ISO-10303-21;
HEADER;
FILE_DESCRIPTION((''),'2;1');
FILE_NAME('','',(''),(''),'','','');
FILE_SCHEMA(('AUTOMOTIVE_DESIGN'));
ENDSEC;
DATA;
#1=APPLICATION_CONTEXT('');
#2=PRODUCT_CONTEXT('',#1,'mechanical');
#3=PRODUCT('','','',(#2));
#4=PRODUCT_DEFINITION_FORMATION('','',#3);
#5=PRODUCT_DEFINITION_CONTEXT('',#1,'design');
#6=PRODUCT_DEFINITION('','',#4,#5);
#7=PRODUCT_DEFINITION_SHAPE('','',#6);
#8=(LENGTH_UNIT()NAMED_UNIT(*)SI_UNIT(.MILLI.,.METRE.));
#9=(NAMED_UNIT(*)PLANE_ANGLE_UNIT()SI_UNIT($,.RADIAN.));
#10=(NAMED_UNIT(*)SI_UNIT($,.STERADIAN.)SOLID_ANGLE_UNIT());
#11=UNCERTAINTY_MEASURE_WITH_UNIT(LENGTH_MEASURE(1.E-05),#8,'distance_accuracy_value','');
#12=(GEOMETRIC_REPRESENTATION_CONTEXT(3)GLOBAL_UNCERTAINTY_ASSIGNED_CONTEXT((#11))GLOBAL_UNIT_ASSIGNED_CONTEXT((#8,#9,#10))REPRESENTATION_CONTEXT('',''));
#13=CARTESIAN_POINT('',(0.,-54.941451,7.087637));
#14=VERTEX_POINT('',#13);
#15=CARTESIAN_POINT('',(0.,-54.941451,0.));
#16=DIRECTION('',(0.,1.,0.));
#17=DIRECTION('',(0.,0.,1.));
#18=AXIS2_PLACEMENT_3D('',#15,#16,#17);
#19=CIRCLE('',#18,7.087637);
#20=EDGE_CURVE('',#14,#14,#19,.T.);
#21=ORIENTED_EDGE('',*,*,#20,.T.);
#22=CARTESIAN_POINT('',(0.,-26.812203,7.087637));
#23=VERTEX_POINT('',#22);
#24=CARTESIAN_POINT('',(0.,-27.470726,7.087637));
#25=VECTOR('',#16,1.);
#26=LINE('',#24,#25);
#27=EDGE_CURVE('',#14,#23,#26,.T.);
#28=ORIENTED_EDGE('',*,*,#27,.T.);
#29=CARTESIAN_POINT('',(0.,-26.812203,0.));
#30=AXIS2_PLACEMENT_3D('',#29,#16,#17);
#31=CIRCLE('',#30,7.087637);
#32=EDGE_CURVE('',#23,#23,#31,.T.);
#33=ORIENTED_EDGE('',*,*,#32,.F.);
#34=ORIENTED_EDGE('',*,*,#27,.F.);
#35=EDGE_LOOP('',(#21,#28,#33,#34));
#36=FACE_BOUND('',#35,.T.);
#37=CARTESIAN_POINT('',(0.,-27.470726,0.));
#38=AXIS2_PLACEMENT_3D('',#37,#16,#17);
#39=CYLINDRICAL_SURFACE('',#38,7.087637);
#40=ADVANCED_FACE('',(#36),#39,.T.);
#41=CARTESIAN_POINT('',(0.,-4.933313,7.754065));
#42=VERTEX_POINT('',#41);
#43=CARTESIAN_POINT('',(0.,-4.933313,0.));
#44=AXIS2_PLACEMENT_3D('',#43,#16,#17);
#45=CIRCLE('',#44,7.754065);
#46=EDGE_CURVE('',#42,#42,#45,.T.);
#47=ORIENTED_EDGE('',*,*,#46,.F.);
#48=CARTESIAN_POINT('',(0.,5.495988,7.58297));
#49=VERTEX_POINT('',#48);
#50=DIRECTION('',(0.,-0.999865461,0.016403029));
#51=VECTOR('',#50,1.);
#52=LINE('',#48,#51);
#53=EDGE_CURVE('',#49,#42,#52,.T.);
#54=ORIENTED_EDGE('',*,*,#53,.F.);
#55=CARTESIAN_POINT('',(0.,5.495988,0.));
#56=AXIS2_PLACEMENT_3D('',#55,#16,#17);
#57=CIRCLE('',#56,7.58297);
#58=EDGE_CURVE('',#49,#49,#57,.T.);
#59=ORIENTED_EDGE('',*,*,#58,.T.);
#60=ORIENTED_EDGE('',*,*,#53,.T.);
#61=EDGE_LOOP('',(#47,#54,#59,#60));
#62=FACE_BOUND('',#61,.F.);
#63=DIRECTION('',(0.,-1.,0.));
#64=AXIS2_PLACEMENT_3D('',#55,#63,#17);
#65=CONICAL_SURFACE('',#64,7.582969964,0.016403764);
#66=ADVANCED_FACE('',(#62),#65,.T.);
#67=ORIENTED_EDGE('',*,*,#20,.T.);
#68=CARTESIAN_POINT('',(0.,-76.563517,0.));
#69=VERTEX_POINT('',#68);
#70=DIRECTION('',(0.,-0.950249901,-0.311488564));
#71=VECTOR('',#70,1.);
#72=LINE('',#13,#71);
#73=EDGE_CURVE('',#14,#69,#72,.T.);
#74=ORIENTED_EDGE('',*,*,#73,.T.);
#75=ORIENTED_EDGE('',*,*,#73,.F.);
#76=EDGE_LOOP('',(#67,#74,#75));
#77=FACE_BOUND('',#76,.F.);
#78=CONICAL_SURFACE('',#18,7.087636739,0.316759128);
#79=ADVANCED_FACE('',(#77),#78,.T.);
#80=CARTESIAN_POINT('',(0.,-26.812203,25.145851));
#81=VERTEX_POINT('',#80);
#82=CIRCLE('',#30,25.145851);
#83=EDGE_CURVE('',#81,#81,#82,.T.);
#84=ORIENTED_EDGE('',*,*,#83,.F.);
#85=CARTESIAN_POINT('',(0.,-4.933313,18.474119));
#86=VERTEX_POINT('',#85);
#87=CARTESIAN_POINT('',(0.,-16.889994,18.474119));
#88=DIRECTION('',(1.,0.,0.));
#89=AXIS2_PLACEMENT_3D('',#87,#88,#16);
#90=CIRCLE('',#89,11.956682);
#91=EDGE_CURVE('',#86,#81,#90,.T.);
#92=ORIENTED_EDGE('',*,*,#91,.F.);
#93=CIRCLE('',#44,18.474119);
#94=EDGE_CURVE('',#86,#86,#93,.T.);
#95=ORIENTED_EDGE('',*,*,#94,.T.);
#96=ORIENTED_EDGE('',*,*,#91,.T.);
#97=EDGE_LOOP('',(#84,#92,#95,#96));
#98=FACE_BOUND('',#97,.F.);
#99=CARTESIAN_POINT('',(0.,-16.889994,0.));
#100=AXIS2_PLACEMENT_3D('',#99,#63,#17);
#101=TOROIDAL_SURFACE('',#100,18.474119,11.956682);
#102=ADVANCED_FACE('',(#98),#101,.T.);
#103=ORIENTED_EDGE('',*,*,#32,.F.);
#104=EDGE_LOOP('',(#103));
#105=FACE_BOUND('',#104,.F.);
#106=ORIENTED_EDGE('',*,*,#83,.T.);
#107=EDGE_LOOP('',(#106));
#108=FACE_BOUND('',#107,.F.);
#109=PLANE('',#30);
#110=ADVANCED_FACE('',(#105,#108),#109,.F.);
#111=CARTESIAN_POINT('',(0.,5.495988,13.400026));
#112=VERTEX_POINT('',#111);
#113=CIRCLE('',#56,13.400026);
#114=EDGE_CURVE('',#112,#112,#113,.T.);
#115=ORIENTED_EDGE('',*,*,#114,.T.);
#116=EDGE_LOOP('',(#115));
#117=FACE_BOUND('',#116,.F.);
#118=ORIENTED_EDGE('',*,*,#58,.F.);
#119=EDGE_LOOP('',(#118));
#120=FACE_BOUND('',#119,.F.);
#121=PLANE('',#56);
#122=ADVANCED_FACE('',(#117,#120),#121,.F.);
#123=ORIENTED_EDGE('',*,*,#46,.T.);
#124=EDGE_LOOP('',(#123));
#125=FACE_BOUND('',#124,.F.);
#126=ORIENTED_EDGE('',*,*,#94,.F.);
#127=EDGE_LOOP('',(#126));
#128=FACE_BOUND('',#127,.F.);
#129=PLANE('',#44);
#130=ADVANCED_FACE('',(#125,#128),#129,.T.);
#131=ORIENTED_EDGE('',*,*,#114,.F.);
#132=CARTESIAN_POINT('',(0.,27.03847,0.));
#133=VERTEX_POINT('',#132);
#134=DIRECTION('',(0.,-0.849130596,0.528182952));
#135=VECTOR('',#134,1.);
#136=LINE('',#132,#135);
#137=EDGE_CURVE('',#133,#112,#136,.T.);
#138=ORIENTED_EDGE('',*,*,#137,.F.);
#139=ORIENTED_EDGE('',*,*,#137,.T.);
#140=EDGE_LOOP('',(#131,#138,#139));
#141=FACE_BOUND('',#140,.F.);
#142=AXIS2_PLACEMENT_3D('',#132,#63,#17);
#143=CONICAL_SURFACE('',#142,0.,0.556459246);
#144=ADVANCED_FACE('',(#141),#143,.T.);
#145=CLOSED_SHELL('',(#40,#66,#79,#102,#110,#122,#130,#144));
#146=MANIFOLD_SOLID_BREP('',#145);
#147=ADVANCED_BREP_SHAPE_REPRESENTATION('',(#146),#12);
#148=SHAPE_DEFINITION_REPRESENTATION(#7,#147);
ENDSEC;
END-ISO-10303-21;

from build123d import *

# Parameters (mm, degrees)
F2_W = 54.9414514213
F2_H = 7.087636739


with BuildPart() as f1:
    # F0 (on Right) → F1 (revolve)
    with BuildSketch(Plane.YZ):
        with BuildLine():
            Line((-26.8122032285, 25.1458510756), (-26.8122032285, 0))
            Line((-26.8122032285, 0), (0, 0))
            Line((0, 0), (27.0384699106, 0))
            Line((27.0384699106, 0), (5.4959878325, 13.4000256658))
            Line((5.4959878325, 13.4000256658), (5.4959878325, 7.5829699636))
            Line((5.4959878325, 7.5829699636), (-4.9333125353, 7.7540650964))
            Line((-4.9333125353, 7.7540650964), (-4.9333125353, 18.4741187841))
            ThreePointArc((-4.9333125353, 18.4741187841), (-13.4024776279, 29.9108782654), (-26.8122032285, 25.1458510756))
        make_face()
    revolve(axis=Axis((0, -13.4061016142, 0), (0, 1, 0)))

    # F2 (on Right) → F3 (revolve)
    with BuildSketch(Plane.YZ):
        with Locations((-27.4707257106, 3.5438183695)):
            Rectangle(F2_W, F2_H)
        Polygon((-54.9414514213, 0), (-54.9414514213, 7.087636739), (-76.563516876, 0), align=None)
    revolve(axis=Axis((0, -27.4707257106, 0), (0, 1, 0)))


solid = f1.part
